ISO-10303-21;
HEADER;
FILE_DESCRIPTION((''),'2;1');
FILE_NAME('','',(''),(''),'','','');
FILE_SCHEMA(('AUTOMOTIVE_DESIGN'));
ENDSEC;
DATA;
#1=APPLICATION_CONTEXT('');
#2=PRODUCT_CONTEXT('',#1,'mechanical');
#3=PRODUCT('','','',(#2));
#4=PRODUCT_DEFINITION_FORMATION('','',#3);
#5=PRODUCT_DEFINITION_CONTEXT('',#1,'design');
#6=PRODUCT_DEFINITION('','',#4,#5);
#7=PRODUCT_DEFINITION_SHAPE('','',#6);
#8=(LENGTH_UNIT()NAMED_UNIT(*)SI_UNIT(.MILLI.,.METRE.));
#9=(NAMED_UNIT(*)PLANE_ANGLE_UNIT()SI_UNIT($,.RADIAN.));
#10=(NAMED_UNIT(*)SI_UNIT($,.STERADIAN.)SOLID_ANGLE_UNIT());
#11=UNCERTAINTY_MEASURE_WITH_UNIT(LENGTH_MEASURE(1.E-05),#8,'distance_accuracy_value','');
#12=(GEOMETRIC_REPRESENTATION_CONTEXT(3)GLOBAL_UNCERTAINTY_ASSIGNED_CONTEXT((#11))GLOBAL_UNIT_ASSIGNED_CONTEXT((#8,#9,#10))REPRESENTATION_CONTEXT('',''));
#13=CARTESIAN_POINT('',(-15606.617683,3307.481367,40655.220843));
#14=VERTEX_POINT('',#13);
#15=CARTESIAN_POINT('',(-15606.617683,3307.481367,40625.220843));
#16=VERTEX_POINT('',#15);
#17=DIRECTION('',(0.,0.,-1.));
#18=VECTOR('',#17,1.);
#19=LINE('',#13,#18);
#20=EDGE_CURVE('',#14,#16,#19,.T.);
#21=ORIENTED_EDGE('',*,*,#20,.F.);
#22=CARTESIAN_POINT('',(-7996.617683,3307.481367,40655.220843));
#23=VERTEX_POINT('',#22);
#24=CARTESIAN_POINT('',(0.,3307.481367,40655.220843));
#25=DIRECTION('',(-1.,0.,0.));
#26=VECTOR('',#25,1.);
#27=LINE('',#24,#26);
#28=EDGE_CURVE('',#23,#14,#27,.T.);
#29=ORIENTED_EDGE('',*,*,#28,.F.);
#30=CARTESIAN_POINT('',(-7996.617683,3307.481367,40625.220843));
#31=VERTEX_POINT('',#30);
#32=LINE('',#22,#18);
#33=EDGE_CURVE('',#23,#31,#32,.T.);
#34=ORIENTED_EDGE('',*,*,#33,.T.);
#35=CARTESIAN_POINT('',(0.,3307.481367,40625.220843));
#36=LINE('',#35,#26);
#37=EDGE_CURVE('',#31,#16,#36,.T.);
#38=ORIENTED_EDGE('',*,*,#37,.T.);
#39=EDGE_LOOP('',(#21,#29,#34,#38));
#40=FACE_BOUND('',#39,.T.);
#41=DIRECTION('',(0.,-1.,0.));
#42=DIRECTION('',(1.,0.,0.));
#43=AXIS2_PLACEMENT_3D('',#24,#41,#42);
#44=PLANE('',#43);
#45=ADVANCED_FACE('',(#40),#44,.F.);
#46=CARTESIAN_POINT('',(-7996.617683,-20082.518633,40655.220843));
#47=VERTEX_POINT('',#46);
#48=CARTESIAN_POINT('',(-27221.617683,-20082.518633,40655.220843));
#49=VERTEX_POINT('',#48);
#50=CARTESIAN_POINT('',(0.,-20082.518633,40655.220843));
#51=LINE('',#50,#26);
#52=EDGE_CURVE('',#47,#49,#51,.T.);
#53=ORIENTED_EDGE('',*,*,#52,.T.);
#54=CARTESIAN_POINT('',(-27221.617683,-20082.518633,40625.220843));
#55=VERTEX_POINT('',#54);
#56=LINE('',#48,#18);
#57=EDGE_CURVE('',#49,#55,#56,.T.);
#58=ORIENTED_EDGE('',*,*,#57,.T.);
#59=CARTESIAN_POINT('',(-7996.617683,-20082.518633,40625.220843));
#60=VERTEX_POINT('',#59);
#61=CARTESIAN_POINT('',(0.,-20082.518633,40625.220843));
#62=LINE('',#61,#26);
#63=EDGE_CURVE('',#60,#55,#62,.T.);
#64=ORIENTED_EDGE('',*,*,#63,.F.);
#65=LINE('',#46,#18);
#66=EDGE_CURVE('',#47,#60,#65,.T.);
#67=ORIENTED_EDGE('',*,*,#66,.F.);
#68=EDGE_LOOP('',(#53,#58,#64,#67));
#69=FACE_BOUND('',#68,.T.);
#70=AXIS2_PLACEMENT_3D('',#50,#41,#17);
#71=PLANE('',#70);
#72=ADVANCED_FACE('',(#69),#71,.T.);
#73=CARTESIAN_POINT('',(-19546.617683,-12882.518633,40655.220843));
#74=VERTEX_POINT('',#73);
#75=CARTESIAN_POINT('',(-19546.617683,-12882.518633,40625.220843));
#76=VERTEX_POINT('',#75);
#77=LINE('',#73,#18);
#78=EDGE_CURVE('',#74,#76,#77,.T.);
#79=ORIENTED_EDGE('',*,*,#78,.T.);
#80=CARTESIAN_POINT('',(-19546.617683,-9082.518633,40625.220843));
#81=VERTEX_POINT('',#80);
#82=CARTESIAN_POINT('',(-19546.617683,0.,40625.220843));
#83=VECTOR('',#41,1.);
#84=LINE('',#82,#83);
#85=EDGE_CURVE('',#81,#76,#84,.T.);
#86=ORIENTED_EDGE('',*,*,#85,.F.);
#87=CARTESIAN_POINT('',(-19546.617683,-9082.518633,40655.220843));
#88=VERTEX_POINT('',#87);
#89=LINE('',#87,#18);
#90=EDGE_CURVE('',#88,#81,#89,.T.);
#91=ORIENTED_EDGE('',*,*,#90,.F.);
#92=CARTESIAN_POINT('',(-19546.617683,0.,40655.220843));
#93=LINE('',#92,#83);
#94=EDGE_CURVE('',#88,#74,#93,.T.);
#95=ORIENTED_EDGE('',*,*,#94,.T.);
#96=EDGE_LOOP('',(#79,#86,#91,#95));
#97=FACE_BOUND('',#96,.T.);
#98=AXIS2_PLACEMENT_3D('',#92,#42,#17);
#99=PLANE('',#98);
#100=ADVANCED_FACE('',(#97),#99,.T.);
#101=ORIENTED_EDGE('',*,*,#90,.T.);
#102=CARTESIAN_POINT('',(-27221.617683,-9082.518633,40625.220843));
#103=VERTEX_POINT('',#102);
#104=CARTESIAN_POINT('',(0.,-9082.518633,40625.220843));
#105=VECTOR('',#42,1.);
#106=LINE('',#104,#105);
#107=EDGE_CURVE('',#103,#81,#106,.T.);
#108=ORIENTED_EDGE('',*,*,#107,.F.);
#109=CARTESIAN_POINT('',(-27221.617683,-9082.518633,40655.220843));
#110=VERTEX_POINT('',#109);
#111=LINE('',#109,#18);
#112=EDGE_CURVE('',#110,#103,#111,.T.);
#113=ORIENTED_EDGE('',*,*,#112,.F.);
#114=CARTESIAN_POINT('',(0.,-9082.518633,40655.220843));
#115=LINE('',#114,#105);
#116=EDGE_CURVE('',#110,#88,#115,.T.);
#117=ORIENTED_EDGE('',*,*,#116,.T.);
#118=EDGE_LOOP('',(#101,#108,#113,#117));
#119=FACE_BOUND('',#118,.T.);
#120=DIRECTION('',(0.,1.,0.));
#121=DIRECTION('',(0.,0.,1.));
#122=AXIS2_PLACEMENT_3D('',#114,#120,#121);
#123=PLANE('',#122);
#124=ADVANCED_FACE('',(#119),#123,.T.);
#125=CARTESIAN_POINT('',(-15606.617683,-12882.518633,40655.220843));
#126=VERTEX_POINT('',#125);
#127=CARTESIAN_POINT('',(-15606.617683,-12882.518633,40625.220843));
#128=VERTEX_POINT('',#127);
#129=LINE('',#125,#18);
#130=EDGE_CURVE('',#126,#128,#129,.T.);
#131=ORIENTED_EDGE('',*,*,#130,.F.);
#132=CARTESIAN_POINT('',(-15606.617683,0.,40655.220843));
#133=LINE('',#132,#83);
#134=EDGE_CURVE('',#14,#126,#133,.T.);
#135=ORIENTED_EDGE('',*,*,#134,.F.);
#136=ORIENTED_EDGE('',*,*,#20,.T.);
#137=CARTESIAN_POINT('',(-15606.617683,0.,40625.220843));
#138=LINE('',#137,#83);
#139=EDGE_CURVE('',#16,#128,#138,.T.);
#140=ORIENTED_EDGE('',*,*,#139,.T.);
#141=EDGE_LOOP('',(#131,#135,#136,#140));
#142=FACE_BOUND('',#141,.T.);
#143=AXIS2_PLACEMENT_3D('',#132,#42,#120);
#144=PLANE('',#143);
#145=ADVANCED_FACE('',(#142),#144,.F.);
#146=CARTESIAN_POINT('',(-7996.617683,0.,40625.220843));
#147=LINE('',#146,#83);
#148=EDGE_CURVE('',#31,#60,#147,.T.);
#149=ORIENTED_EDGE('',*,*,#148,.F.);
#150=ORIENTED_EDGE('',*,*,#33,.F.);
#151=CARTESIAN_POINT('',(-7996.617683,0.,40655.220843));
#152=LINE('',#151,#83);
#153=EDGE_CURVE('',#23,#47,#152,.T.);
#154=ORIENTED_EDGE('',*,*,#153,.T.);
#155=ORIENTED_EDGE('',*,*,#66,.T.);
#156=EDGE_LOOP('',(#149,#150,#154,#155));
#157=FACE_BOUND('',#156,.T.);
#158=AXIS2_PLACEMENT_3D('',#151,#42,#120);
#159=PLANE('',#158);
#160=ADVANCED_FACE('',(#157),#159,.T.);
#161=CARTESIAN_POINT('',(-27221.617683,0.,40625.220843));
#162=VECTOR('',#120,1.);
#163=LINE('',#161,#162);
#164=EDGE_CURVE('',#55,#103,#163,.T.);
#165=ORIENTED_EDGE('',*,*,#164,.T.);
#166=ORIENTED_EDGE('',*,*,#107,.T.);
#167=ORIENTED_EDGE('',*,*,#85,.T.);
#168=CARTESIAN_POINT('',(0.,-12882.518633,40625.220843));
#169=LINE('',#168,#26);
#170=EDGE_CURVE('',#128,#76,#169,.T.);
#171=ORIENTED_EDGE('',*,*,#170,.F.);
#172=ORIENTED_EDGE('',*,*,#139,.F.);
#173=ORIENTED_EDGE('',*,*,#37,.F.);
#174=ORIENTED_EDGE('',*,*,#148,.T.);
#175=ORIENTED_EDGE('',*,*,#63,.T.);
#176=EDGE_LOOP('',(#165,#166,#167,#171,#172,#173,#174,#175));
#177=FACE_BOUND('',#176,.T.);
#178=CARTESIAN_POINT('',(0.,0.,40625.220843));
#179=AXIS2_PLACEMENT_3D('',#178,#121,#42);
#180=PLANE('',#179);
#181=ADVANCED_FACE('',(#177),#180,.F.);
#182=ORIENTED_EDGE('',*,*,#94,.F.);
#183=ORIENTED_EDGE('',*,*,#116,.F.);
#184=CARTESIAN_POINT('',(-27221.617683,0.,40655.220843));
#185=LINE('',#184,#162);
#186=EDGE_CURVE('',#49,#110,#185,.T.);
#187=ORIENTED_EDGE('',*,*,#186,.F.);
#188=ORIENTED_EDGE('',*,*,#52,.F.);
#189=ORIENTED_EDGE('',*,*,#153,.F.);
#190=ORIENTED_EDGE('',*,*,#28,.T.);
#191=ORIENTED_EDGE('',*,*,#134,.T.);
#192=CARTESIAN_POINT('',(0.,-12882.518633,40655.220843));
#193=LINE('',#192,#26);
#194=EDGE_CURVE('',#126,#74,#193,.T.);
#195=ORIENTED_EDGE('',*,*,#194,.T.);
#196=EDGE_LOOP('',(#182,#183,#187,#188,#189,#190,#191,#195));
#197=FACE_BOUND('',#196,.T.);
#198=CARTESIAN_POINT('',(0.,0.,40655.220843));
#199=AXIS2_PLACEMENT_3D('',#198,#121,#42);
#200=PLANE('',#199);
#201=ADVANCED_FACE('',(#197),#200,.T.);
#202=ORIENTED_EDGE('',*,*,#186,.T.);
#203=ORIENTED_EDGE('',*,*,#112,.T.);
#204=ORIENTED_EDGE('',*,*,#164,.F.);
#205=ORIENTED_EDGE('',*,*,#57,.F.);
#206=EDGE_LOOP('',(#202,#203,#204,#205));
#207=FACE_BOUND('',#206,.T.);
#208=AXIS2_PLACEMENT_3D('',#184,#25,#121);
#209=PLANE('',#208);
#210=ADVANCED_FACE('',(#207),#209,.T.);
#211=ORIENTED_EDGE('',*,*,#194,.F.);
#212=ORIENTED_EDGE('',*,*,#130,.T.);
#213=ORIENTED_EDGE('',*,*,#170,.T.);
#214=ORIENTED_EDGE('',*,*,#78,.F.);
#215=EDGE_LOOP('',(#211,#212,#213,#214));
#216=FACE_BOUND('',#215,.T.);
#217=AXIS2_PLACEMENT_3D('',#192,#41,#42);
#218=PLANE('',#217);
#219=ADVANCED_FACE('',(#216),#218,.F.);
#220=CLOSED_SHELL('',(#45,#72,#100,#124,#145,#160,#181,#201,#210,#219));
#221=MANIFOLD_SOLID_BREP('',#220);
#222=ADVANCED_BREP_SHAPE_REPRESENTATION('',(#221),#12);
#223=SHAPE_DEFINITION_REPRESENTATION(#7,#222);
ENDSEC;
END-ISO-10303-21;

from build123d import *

# Parameters (mm, degrees)
SKETCH1_W           = 7610
SKETCH1_H           = 23390
BOSS_EXTRUDE1_DEPTH = 30


with BuildPart() as part:
    # Sketch1 → Boss-Extrude1 (new body)
    with BuildSketch(Plane.XY.offset(40625.220842973)):
        with Locations((-11801.617683291, -8387.518633414)):
            Rectangle(SKETCH1_W, SKETCH1_H)
        Polygon((-15606.617683291, -20082.518633414), (-15606.617683291, -12882.518633414), (-16246.617683291, -12882.518633414), (-19546.617683291, -12882.518633414), (-27221.617683291, -12882.518633414), (-27221.617683291, -20082.518633414), align=None)
        Polygon((-27221.617683291, -12882.518633414), (-19546.617683291, -12882.518633414), (-19546.617683291, -9107.518633414), (-19546.617683291, -9082.518633414), (-27221.617683291, -9082.518633414), align=None)
    extrude(amount=BOSS_EXTRUDE1_DEPTH)


solid = part.part
